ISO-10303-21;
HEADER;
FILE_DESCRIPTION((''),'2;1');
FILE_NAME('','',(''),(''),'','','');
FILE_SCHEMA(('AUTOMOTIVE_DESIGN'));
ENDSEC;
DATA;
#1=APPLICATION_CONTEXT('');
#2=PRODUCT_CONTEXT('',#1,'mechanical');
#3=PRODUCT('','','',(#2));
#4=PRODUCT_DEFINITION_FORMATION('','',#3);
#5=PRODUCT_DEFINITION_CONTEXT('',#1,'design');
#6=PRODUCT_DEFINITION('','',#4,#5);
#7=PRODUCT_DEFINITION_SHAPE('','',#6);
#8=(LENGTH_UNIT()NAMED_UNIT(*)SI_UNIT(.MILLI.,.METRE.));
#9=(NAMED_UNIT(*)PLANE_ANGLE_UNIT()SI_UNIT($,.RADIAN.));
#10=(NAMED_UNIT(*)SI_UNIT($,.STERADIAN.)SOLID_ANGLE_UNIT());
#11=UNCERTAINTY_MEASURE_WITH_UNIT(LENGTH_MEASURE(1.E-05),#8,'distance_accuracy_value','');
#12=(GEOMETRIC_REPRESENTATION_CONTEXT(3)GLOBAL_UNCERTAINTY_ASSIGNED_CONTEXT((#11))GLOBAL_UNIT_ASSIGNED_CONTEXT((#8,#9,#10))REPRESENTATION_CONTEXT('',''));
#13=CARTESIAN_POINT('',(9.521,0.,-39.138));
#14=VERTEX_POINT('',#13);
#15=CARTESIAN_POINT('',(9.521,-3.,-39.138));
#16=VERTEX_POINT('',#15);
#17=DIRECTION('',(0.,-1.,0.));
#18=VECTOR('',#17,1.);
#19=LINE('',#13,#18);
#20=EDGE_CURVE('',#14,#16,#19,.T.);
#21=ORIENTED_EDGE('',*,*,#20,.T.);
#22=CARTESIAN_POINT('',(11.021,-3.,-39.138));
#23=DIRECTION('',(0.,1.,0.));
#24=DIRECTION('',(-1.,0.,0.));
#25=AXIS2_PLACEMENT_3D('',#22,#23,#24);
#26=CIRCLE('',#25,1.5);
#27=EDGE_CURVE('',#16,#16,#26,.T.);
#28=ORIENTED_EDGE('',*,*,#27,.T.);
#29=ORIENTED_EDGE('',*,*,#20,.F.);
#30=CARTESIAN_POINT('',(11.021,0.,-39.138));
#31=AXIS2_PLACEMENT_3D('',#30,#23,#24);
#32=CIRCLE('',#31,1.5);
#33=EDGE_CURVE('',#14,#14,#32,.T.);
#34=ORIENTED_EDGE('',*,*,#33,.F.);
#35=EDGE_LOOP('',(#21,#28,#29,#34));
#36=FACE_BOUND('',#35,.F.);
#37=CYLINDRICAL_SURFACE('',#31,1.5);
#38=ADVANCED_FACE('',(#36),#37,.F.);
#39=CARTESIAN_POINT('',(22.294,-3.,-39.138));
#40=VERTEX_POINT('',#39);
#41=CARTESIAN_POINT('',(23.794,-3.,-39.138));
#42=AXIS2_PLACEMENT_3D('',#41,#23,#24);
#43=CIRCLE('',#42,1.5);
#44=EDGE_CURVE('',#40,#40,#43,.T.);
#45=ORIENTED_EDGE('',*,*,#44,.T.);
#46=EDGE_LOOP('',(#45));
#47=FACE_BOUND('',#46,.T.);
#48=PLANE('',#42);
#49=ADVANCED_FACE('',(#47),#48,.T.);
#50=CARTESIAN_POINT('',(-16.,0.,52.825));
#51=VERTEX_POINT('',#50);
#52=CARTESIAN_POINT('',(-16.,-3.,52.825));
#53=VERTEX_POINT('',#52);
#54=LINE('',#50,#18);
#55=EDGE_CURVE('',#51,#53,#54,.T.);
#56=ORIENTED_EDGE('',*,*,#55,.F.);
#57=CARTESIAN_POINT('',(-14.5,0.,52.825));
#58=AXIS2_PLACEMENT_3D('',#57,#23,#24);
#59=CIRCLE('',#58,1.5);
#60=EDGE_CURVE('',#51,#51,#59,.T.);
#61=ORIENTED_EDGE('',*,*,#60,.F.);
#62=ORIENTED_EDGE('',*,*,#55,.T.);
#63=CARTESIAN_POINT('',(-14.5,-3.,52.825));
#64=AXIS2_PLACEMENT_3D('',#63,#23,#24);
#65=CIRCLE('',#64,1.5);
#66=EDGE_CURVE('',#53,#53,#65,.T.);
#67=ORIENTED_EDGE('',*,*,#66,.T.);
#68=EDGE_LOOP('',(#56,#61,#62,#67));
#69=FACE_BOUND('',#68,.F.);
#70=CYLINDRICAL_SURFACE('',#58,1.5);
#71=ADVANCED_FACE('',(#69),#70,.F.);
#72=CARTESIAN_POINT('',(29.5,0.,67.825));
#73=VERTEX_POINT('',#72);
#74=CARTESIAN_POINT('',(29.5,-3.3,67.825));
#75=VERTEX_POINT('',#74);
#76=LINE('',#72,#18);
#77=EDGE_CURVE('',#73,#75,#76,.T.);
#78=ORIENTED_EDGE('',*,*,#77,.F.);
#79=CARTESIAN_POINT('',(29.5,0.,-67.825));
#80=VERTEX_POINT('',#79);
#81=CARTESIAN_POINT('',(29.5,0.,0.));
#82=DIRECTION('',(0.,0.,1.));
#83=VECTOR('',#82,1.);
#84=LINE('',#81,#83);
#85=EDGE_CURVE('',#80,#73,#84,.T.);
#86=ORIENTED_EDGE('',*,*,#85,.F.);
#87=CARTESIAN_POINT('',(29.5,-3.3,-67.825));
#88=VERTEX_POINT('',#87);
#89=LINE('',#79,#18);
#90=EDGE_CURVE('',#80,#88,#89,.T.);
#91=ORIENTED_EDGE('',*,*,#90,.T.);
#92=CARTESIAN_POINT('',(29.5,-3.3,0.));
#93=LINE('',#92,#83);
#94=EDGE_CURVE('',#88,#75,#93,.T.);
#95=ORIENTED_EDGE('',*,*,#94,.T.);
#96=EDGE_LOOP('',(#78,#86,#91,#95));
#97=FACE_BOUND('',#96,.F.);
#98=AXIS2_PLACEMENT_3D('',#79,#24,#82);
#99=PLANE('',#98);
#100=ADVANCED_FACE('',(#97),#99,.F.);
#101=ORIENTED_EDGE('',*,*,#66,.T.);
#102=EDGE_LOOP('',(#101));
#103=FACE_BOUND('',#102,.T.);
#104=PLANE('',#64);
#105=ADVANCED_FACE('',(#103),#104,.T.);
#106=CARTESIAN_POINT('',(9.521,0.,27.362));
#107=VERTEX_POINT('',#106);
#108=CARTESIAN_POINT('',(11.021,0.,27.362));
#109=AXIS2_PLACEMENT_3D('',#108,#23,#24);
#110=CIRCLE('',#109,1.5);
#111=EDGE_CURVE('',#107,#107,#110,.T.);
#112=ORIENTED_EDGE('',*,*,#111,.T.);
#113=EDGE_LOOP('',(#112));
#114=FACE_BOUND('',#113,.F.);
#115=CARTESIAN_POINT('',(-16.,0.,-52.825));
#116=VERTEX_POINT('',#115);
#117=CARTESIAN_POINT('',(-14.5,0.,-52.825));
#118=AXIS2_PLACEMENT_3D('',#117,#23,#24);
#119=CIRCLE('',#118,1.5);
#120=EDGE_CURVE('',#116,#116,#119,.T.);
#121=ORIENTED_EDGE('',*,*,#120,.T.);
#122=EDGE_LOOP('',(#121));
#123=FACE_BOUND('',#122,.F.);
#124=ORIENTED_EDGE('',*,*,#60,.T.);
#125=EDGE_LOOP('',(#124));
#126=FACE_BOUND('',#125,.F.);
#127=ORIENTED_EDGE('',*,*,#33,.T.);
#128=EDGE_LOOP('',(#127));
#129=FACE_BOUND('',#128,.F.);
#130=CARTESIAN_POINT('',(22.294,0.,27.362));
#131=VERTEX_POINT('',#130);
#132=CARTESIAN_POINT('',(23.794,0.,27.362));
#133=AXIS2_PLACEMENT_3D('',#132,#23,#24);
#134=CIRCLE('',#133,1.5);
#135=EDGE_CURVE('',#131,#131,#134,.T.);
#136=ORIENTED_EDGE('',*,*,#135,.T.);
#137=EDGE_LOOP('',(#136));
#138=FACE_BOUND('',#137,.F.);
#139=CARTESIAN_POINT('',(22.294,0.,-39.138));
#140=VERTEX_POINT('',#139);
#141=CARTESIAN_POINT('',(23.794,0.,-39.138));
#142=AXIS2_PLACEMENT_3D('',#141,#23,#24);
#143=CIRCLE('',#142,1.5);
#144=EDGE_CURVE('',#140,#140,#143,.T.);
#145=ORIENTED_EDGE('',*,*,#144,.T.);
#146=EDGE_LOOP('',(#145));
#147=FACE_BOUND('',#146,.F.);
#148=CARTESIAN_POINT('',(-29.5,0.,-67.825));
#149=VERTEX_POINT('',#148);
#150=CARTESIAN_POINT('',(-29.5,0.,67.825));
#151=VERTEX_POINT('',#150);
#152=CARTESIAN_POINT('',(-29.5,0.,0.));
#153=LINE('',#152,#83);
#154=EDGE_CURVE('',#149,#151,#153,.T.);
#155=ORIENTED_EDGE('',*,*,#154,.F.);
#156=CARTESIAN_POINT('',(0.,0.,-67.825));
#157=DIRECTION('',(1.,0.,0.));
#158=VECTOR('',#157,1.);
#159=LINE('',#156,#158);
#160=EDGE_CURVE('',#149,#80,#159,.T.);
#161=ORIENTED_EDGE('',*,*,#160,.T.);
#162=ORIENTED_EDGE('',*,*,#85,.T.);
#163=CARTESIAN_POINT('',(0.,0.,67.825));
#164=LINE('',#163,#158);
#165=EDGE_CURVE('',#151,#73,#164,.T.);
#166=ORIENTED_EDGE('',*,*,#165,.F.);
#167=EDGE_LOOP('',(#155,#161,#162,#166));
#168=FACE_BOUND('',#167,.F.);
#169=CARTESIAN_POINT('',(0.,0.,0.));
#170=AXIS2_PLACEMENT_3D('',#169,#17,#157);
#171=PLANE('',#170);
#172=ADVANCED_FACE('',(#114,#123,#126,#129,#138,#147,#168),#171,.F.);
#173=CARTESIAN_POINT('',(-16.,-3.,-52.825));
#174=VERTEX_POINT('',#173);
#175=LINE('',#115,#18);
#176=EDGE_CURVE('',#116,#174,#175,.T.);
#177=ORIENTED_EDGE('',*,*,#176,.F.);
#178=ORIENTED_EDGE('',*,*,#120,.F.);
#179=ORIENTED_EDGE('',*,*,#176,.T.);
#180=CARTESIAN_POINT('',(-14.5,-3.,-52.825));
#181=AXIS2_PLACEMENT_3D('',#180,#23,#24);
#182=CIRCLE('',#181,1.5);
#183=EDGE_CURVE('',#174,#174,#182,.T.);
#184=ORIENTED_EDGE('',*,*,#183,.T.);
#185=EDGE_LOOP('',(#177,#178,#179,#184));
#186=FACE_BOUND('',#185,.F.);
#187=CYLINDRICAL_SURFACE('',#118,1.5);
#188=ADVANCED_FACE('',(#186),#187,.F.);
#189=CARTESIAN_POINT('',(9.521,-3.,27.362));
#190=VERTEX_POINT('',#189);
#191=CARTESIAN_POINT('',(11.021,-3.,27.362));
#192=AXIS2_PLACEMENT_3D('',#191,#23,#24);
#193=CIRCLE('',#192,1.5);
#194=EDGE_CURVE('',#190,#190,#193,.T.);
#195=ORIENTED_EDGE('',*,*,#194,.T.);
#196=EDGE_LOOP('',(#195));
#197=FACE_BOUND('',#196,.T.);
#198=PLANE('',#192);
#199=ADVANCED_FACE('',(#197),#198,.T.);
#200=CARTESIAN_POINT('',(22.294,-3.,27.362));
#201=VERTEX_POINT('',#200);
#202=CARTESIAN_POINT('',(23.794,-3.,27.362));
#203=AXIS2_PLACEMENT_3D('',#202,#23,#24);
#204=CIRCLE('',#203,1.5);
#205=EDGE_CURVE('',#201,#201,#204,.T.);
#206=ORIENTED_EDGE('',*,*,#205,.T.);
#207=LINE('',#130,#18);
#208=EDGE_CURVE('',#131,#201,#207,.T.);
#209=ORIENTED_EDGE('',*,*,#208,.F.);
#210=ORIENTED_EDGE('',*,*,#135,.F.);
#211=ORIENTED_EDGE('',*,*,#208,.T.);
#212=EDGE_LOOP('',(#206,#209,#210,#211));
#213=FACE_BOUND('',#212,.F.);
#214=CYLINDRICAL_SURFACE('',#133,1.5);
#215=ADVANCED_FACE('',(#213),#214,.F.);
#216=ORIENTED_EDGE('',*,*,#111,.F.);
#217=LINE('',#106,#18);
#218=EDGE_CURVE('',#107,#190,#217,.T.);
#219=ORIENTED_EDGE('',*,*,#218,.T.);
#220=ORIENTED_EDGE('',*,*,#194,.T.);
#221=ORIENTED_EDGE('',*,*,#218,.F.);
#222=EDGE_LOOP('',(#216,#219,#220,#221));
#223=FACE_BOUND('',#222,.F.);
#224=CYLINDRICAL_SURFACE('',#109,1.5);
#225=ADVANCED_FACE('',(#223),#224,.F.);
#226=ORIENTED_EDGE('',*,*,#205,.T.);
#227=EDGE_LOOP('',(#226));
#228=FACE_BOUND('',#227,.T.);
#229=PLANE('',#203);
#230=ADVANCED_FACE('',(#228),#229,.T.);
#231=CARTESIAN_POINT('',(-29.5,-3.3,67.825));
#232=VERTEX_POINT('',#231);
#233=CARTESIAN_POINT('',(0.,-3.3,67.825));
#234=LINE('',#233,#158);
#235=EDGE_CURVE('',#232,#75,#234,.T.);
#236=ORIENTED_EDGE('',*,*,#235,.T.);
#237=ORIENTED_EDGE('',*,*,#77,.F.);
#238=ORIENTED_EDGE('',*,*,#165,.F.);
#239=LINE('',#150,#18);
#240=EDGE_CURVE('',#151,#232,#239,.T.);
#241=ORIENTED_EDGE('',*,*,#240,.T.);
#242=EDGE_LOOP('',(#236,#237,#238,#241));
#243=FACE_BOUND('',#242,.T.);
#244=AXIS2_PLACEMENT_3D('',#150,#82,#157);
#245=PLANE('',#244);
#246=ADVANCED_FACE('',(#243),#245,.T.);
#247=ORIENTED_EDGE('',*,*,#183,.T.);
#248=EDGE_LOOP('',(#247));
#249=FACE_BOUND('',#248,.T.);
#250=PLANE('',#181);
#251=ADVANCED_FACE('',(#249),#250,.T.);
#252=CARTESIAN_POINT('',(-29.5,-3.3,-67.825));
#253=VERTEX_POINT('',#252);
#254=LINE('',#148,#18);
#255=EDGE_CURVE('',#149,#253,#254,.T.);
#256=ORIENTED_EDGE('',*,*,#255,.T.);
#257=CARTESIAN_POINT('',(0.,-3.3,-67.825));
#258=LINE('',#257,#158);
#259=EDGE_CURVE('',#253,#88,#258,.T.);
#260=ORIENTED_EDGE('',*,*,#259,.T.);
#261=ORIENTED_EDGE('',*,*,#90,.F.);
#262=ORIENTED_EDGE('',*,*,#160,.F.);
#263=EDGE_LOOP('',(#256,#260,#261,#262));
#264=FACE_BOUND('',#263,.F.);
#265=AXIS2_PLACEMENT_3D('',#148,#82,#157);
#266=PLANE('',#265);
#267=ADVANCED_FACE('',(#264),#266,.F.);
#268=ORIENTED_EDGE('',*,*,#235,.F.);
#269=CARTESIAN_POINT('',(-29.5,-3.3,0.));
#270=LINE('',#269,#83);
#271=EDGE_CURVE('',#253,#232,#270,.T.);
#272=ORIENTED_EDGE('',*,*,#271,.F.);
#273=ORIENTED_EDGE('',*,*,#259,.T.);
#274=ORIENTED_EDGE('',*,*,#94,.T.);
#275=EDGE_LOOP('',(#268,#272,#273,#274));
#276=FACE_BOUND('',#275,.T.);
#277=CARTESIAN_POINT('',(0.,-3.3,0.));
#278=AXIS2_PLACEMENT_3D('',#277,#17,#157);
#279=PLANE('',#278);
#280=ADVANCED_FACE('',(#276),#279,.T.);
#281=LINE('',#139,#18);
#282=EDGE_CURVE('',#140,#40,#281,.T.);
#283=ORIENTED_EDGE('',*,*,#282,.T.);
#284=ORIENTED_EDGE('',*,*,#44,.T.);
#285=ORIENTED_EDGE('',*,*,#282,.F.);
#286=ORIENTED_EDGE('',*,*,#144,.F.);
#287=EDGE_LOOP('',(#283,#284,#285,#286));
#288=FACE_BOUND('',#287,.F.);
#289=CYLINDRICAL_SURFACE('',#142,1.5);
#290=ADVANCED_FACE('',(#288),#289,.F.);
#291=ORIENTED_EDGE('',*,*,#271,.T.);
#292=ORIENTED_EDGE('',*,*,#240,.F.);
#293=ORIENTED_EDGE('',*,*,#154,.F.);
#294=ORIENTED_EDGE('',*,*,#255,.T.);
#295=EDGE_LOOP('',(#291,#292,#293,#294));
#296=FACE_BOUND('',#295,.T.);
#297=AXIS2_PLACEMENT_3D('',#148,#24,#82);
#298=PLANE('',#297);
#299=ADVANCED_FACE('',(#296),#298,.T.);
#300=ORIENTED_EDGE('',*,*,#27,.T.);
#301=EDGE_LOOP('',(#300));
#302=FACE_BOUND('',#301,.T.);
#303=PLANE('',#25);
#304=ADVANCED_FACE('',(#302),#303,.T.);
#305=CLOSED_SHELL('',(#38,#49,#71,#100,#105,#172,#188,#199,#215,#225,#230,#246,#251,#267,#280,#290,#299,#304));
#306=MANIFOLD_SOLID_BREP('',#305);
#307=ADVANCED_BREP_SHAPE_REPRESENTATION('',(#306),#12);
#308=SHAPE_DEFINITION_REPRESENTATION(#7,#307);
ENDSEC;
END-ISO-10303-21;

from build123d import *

# Parameters (mm, degrees)
F0_W     = 59
F0_H     = 135.65
F1_DEPTH = 3.3
F2_R     = 1.5
F3_DEPTH = 3
F4_R     = 1.5
F5_DEPTH = 3


with BuildPart() as f1:
    # F0 (on Front) → F1 (new body)
    with BuildSketch(Plane.XZ):
        Rectangle(F0_W, F0_H)
    extrude(amount=F1_DEPTH)

    # F2 (on face) → F3 (cut)
    with BuildSketch(Plane(origin=(0, 0, 0), x_dir=(-1, 0, 0), z_dir=(0, 1, 0))):
        with Locations((14.5, 52.825)):
            Circle(F2_R)
        with Locations((14.5, -52.825)):
            Circle(F2_R)
    extrude(amount=-F3_DEPTH, mode=Mode.SUBTRACT)

    # F4 (on face) → F5 (cut)
    with BuildSketch(Plane(origin=(0, 0, 0), x_dir=(-1, 0, 0), z_dir=(0, 1, 0))):
        with Locations((-23.794, 27.362)):
            Circle(F4_R)
        with Locations((-11.021, 27.362)):
            Circle(F4_R)
        with Locations((-23.794, -39.138)):
            Circle(F4_R)
        with Locations((-11.021, -39.138)):
            Circle(F4_R)
    extrude(amount=-F5_DEPTH, mode=Mode.SUBTRACT)


solid = f1.part
